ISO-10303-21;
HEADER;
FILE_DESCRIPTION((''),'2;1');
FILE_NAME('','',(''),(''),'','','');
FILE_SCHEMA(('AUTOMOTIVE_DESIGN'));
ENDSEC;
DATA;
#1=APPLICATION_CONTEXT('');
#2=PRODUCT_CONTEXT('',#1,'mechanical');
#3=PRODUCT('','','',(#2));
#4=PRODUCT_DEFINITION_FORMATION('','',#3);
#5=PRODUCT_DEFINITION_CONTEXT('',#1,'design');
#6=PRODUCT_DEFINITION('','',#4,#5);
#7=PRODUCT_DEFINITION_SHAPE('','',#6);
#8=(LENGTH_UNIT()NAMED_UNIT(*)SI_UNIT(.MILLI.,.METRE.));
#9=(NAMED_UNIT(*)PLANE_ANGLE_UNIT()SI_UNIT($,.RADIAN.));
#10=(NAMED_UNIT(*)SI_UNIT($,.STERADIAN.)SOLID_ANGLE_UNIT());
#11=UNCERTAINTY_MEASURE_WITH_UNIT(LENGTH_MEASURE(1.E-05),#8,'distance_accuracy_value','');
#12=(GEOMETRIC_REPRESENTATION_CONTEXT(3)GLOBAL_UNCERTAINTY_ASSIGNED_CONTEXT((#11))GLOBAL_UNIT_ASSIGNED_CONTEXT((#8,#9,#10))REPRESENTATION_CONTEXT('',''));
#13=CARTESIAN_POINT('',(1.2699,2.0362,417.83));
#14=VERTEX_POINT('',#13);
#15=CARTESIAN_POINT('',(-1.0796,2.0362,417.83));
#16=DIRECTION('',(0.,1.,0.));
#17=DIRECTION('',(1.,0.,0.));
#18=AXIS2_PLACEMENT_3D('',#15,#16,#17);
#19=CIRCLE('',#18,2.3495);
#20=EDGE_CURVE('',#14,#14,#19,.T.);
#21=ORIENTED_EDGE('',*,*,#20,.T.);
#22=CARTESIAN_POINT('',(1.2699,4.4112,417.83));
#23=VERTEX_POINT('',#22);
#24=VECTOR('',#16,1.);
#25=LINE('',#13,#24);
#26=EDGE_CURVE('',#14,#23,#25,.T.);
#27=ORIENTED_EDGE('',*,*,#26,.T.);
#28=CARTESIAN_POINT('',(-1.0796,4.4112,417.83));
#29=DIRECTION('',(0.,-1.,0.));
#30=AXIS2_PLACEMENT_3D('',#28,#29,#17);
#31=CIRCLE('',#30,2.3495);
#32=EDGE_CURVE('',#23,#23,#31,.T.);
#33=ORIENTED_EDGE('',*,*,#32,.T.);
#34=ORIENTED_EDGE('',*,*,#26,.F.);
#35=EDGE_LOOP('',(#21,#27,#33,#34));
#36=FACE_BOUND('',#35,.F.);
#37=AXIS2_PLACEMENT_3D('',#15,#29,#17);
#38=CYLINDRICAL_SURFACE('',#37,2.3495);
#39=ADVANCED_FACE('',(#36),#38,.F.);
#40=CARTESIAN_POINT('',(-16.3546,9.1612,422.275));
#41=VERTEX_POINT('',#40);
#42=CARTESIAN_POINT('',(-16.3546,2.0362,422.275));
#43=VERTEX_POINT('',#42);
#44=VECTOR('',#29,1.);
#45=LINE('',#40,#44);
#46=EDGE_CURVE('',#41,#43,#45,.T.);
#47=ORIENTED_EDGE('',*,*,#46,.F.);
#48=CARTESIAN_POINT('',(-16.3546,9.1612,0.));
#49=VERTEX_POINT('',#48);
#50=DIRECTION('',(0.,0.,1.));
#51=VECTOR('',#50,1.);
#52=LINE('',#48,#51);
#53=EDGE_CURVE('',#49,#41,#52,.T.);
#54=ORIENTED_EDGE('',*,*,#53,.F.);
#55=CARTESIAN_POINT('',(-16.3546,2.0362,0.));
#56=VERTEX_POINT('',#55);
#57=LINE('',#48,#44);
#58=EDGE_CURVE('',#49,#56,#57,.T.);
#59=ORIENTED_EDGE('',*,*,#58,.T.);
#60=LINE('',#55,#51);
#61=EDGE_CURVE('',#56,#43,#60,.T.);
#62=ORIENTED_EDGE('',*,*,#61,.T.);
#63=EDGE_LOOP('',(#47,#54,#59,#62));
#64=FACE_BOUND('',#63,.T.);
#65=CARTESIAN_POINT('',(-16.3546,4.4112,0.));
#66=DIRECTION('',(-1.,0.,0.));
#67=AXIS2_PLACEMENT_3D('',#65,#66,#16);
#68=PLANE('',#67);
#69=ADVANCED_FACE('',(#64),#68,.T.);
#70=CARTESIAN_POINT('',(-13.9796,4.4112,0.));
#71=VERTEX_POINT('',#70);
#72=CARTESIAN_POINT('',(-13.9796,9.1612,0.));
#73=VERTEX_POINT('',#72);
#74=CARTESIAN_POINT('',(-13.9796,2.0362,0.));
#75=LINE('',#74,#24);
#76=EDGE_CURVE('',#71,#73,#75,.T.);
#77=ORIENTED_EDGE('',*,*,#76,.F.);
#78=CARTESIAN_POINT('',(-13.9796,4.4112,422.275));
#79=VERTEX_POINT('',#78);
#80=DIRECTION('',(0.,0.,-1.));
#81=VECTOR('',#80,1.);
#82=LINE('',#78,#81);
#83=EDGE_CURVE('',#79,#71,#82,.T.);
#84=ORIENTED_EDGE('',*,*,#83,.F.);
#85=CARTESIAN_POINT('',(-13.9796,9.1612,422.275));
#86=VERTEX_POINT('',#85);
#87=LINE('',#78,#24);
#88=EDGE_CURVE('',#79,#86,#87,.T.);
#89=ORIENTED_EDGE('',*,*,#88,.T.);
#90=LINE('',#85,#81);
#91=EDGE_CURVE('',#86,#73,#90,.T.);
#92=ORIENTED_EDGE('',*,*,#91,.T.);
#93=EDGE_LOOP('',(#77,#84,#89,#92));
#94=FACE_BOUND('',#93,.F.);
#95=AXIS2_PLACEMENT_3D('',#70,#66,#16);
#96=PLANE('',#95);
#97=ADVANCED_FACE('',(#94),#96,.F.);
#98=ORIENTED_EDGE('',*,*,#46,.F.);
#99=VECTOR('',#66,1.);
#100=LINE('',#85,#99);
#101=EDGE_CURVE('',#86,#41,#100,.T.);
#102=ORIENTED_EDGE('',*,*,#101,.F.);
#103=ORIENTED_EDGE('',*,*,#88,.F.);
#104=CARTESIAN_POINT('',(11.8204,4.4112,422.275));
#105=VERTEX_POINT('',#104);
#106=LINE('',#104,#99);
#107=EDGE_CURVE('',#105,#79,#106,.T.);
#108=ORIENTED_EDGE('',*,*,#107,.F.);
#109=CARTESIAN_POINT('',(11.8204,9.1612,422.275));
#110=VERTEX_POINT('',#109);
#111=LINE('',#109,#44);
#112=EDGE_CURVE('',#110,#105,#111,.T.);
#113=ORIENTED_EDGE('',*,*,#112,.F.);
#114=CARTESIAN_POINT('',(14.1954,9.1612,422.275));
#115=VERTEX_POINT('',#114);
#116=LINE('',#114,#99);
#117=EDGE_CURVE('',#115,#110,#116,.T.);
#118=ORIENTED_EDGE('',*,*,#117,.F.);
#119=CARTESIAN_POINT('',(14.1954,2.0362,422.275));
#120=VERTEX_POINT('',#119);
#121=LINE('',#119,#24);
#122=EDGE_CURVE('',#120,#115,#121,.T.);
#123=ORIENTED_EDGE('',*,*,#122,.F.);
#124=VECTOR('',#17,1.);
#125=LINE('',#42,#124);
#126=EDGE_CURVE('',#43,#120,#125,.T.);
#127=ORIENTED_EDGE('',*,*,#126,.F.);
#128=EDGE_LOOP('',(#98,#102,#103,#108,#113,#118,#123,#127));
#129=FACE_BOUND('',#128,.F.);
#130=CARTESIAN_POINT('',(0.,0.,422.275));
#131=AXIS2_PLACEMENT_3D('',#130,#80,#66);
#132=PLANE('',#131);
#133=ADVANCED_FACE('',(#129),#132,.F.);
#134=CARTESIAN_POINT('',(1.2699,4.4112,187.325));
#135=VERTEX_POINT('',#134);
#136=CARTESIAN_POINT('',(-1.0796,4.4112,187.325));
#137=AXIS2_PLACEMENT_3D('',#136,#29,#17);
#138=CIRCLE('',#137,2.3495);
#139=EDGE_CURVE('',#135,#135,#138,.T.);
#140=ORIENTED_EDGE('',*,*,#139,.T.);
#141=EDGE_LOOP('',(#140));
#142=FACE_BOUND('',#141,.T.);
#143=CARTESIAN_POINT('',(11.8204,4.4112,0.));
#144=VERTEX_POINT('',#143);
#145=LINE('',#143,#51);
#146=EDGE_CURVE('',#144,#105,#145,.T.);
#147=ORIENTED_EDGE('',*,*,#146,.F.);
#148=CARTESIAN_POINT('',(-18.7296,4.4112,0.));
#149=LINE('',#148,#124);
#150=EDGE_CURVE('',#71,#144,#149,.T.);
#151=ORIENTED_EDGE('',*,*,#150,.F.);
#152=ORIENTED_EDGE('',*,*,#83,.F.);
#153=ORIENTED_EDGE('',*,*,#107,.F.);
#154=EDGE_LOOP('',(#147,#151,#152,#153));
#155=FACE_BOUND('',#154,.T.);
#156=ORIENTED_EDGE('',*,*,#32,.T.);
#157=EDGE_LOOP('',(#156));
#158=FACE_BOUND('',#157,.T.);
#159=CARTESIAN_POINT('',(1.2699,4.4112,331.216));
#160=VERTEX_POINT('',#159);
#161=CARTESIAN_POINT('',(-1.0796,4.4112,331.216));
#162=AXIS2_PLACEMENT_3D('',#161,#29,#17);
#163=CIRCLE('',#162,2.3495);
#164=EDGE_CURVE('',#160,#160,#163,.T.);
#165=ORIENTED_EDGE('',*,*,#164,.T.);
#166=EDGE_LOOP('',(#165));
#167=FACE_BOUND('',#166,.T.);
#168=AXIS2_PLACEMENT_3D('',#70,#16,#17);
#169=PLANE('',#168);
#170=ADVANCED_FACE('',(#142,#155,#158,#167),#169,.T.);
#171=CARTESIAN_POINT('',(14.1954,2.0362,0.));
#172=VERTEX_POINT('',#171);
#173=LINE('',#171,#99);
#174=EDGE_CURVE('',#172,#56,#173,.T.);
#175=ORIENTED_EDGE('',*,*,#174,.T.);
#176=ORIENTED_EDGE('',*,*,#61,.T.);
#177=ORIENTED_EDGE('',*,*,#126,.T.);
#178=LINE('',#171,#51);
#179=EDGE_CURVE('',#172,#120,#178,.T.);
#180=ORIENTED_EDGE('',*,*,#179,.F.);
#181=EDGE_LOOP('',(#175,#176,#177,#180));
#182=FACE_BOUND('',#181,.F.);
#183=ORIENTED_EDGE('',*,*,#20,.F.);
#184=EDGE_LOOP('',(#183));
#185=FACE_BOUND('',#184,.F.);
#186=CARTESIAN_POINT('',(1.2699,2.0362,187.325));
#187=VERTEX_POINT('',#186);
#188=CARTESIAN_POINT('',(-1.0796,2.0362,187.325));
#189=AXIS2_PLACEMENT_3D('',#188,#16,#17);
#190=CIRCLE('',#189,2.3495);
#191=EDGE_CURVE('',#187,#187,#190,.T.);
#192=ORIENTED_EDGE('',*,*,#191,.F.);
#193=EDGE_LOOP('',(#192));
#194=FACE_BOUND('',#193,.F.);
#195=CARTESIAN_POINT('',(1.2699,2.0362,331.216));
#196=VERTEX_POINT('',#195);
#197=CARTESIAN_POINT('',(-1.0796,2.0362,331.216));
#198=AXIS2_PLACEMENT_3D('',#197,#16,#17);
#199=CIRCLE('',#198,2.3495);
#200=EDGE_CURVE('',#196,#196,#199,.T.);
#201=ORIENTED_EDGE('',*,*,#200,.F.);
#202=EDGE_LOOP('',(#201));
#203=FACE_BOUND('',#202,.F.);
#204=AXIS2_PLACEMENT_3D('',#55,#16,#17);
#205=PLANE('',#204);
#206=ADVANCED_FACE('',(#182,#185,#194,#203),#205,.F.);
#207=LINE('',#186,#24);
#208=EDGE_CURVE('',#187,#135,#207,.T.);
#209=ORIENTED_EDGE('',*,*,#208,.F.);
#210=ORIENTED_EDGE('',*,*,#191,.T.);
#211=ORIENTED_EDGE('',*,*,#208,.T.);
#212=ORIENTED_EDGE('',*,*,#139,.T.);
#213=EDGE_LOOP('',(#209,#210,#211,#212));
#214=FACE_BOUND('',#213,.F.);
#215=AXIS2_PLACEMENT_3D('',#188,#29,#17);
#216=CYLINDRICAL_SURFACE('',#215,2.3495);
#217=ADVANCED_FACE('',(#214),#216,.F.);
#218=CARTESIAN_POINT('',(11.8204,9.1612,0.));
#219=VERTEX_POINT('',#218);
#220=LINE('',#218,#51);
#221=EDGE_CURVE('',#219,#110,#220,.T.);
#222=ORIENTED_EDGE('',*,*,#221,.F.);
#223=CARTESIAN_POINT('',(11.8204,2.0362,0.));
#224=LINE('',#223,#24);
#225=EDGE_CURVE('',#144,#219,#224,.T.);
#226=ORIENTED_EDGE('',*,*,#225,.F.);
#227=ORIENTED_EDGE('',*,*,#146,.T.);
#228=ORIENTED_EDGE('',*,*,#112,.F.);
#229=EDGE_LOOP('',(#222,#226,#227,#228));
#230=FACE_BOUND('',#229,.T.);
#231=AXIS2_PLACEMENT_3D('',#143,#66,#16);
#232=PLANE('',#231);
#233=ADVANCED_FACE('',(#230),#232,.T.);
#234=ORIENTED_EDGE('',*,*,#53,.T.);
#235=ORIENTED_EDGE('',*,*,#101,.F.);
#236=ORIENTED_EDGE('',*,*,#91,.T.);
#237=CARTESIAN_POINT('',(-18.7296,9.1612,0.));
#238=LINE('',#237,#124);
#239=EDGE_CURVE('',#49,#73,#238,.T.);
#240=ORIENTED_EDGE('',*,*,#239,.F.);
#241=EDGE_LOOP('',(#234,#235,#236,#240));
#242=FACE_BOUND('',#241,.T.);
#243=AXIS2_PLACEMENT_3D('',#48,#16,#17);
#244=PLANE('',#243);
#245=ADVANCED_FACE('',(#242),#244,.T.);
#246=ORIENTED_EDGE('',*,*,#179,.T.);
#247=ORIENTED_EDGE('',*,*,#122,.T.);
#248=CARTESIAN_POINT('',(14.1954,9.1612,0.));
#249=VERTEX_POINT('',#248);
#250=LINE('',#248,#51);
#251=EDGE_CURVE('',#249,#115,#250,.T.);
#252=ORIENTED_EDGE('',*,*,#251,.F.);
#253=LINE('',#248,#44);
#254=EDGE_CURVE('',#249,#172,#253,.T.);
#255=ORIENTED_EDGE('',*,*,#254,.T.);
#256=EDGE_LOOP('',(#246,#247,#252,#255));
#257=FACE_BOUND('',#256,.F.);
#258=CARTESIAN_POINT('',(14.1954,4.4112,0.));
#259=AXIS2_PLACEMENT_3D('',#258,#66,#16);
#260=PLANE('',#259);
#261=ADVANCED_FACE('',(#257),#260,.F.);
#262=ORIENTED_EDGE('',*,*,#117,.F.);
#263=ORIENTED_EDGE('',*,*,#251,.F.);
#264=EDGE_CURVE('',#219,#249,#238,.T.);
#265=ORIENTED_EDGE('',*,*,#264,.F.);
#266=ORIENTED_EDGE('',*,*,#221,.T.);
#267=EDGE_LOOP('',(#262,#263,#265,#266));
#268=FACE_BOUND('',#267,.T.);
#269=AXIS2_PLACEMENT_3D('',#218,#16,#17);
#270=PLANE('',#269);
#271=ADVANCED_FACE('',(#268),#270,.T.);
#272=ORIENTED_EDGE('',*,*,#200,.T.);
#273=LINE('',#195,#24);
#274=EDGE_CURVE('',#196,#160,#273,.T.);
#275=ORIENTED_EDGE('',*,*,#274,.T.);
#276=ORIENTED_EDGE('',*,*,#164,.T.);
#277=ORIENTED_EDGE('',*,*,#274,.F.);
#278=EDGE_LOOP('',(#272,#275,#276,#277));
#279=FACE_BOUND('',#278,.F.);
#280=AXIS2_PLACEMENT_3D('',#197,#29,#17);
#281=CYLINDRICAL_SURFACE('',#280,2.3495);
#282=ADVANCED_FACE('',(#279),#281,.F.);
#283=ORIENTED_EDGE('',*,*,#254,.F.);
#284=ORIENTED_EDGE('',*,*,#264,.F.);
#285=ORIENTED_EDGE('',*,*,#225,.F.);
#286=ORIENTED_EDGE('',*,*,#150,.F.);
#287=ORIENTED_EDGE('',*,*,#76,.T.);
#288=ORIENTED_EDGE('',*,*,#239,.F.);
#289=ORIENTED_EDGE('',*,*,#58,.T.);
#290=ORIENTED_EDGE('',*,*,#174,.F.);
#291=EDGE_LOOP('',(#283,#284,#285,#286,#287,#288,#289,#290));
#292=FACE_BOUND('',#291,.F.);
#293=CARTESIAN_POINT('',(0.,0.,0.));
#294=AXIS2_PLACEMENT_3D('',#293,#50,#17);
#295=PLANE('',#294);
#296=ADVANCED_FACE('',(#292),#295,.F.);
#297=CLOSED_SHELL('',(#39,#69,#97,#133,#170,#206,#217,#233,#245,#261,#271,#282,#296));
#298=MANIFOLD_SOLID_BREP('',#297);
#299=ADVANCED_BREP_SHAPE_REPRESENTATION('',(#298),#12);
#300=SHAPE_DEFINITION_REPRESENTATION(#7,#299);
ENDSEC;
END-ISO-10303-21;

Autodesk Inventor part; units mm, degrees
ref_plane "YZ Plane" through (0, 0, 0) normal (1, 0, 0) x (0, 1, 0)
ref_plane "XZ Plane" through (0, 0, 0) normal (0, 1, 0) x (-1, 0, 0)
ref_plane "XY Plane" through (0, 0, 0) normal (0, 0, 1) x (1, 0, 0)
sketch "Sketch1" plane through (0, 0, 0) normal (0, 0, 1) x (1, 0, 0)
  line L0 (-18.7296, 9.1612) -> (16.5704, 9.1612)
  line L1 (16.5704, 9.1612) -> (16.5704, -0.3388)
  line L2 (16.5704, -0.3388) -> (-18.7296, -0.3388)
  line L3 (-18.7296, -0.3388) -> (-18.7296, 9.1612)
  line L4 (-18.7296, 4.4112) -> (16.5704, 4.4112)
  line L5 (-18.7296, 4.4112) -> (-18.7296, -0.3388)
  line L6 (-18.7296, 2.0362) -> (16.5704, 2.0362)
  line L7 (16.5704, 4.4112) -> (14.1954, 2.0362)
  line L8 (16.5704, 4.4112) -> (19.9291, 4.4112) construction
  line L9 (-18.7296, 4.4112) -> (-16.3546, 2.0362)
  line L10 (-16.3546, 2.0362) -> (-16.3546, 9.1612)
  line L11 (14.1954, 2.0362) -> (14.1954, 9.1612)
  line L12 (-16.3546, 4.4112) -> (-13.9796, 2.0362)
  line L13 (14.1954, 4.4112) -> (11.8204, 2.0362)
  line L14 (11.8204, 2.0362) -> (11.8204, 9.1612)
  line L15 (-13.9796, 2.0362) -> (-13.9796, 9.1612)
  point P0 (0, 0)
  dimension "d0" = 35.3
  dimension "d1" = 9.5
  dimension "d2" = 135
extrude "Extrusion1" add sketch "Sketch1" along normal blind 445 contours L0 L15 L4 L10 | L12 L6 L10 | L4 L15 L12 | L0 L11 L4 L14 | L4 L14 L6 L15 | L4 L13 L14 | L13 L11 L6
sketch "Sketch2" plane through (-13.9796, 4.4112, 0) normal (0, 1, 0) x (1, 0, 0)
  line L0 (0, -445) -> (25.8, -445) projected
  line L1 (12.9, -445) -> (12.9, -416.7)
  circle A0 centre (12.9, -416.7) radius 2.15
  line L2 (12.9, -416.7) -> (12.9, -64.7)
  circle A1 centre (12.9, -64.7) radius 2.15
  line L3 (12.9, -416.7) -> (12.9, -32.7)
  circle A2 centre (12.9, -32.7) radius 2.15
  point P0 (13.9796, 0)
  dimension "d5" = 28.3
  dimension "d6" = 4.3
  dimension "d7" = 352
  dimension "d8" = 384
extrude "Extrusion2" cut sketch "Sketch2" against normal blind 445
sketch "Sketch3" plane through (0, 0, 445) normal (0, 0, 1) x (1, 0, 0)
  line L0 (14.1954, 2.0362) -> (-16.3546, 2.0362) projected
  line L1 (14.1954, 9.1612) -> (14.1954, 2.0362) projected
  line L2 (11.8204, 9.1612) -> (14.1954, 9.1612) projected
  line L3 (11.8204, 4.4112) -> (11.8204, 9.1612) projected
  line L4 (-13.9796, 4.4112) -> (11.8204, 4.4112) projected
  line L5 (-13.9796, 9.1612) -> (-13.9796, 4.4112) projected
  line L6 (-16.3546, 9.1612) -> (-13.9796, 9.1612) projected
  line L7 (-16.3546, 2.0362) -> (-16.3546, 9.1612) projected
  point P0 (0, 0)
extrude "Extrusion3" cut sketch "Sketch3" against normal blind 419.1
sketch "Sketch4" plane through (0, 0, 0) normal (0, 0, -1) x (-1, 0, 0)
  line L0 (-14.1954, 2.0362) -> (-14.1954, 9.1612) projected
  line L1 (16.3546, 2.0362) -> (-14.1954, 2.0362) projected
  line L2 (16.3546, 9.1612) -> (16.3546, 2.0362) projected
  line L3 (13.9796, 9.1612) -> (16.3546, 9.1612) projected
  line L4 (13.9796, 4.4112) -> (13.9796, 9.1612) projected
  line L5 (-11.8204, 4.4112) -> (13.9796, 4.4112) projected
  line L6 (-11.8204, 9.1612) -> (-11.8204, 4.4112) projected
  line L7 (-14.1954, 9.1612) -> (-11.8204, 9.1612) projected
  point P0 (0, 0)
extrude "Extrusion4" add sketch "Sketch4" against normal blind 422.275
sketch "Sketch5" plane through (-16.3546, 2.0362, 0) normal (0, -1, 0) x (1, 0, 0)
  line L0 (30.55, 422.275) -> (0, 422.275) projected
  line L1 (15.275, 422.275) -> (15.275, 331.216)
  circle A0 centre (15.275, 331.216) radius 2.3495
  line L2 (15.275, 422.275) -> (15.275, 187.325)
  circle A1 centre (15.275, 187.325) radius 2.3495
  point P0 (16.3546, 0)
  dimension "d15" = 91.059
  dimension "d16" = 4.699
  dimension "d17" = 234.95
extrude "Extrusion5" cut sketch "Sketch5" against normal blind 422.275
sketch "Sketch6" plane through (-16.3546, 2.0362, 0) normal (0, -1, 0) x (1, 0, 0)
  line L0 (30.55, 422.275) -> (0, 422.275) projected
  line L1 (15.275, 422.275) -> (15.275, 417.83)
  circle A0 centre (15.275, 417.83) radius 2.3495
  point P0 (16.3546, 0)
  dimension "d20" = 4.445
extrude "Extrusion6" cut sketch "Sketch6" against normal blind 422.275
properties part number "2"
